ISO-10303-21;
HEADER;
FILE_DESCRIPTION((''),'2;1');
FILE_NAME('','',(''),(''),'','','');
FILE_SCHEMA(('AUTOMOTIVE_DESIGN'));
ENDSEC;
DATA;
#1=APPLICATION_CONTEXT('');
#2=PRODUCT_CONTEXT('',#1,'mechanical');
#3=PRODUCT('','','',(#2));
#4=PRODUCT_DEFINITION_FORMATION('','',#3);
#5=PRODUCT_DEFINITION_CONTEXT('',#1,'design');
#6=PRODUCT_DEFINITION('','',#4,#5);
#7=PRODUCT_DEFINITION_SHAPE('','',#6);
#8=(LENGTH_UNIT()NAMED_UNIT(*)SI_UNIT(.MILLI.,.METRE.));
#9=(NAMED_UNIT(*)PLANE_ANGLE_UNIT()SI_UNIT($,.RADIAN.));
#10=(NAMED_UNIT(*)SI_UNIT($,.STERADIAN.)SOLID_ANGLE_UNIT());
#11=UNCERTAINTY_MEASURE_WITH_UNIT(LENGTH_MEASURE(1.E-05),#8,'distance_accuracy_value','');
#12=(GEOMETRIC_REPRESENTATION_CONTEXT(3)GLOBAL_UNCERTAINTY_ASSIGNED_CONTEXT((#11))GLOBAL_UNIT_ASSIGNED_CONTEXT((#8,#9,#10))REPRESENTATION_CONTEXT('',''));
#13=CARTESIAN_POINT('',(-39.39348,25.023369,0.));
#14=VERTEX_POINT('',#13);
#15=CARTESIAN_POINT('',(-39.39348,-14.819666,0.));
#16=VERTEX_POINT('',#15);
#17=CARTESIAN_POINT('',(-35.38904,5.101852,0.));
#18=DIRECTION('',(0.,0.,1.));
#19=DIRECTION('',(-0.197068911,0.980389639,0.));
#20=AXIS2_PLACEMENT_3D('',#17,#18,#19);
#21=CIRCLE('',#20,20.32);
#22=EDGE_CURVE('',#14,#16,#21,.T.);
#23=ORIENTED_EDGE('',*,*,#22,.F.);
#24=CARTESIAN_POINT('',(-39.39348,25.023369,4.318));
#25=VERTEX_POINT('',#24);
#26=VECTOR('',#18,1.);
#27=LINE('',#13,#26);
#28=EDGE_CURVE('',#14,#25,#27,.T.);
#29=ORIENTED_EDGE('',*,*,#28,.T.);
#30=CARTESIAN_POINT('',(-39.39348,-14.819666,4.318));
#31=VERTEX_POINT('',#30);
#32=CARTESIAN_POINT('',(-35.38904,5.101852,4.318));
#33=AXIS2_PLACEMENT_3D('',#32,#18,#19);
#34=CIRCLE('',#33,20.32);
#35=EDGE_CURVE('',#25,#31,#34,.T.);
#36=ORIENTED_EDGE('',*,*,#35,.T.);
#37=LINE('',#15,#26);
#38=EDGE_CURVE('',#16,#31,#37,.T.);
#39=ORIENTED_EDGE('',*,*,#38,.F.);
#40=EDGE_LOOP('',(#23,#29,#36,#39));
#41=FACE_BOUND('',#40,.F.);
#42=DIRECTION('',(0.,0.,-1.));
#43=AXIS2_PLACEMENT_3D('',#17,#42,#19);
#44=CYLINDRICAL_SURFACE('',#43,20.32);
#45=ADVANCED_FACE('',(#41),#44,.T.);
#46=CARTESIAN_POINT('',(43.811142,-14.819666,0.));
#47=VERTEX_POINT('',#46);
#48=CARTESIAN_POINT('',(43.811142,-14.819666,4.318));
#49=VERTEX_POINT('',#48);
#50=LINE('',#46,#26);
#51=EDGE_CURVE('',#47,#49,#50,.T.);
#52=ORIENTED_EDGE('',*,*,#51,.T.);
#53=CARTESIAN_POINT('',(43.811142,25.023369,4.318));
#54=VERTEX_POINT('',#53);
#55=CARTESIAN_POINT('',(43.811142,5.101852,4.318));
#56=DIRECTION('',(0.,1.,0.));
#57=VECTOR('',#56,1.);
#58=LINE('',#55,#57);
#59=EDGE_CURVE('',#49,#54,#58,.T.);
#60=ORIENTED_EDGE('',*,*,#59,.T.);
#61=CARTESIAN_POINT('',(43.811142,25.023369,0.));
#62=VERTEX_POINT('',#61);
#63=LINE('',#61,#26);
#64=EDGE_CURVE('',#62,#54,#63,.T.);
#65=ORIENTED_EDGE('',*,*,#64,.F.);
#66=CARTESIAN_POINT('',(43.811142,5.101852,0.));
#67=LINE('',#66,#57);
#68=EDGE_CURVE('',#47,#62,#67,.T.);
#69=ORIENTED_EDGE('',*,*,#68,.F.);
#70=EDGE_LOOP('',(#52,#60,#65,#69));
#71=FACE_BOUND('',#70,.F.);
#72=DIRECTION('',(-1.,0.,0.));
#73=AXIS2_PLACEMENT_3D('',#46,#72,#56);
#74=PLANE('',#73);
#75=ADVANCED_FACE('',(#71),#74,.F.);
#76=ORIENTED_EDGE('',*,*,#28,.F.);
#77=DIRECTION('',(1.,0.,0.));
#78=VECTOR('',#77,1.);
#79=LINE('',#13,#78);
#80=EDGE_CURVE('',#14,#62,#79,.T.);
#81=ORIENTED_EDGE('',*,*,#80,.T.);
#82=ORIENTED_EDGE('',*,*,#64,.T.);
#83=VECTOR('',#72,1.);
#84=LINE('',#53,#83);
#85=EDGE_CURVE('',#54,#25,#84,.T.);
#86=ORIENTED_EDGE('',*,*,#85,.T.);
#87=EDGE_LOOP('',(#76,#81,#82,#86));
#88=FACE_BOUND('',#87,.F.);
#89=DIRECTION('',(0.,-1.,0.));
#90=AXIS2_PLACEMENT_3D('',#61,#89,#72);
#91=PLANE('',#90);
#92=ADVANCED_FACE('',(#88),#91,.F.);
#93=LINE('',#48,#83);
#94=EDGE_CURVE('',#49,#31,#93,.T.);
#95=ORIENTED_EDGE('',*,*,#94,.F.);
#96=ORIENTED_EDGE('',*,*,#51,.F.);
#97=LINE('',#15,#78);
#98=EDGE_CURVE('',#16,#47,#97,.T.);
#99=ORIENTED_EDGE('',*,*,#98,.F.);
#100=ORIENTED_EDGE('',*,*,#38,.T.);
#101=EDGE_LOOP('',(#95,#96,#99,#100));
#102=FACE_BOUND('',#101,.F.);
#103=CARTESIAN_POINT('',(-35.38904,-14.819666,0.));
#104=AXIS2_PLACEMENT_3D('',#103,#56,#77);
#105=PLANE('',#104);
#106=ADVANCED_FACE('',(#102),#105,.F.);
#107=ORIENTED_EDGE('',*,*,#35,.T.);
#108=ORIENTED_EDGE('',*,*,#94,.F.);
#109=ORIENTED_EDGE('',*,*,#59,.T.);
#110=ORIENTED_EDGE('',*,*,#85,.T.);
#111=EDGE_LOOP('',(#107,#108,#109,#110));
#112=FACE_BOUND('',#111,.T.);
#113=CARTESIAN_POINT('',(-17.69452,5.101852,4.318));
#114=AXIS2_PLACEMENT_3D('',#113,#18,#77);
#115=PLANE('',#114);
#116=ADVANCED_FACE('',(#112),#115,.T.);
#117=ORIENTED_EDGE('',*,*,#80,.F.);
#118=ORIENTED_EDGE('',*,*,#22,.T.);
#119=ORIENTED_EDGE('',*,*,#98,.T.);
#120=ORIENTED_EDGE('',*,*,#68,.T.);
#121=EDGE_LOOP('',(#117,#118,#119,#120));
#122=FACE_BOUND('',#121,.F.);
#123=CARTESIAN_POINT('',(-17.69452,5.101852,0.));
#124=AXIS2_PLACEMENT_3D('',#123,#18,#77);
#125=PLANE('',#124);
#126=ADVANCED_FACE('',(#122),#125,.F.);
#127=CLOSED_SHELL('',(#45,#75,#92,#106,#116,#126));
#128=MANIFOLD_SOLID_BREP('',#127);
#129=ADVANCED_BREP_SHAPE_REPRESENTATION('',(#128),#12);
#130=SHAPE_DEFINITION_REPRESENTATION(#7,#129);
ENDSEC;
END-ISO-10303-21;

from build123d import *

# Parameters (mm, degrees)
F1_DEPTH = 4.318
F0_W     = 35.3890396655
F0_H     = 39.8430349305
F0_W_2   = 43.8111424446
F2_DEPTH = 4.318


with BuildPart() as f1:
    # F0 (on Top) → F1 (new body)
    with BuildSketch(Plane.XY):
        with BuildLine():
            Line((-35.3890396655, 25.0233691186), (-39.3934799361, 25.0233691186))
            ThreePointArc((-39.3934799361, 25.0233691186), (-55.7090396655, 5.1018516533), (-39.3934799361, -14.819665812))
            Line((-39.3934799361, -14.819665812), (-35.3890396655, -14.819665812))
            Line((-35.3890396655, -14.819665812), (-35.3890396655, 25.0233691186))
        make_face()
    extrude(amount=F1_DEPTH)

    # F0 (on Top) → F2 (join)
    with BuildSketch(Plane.XY):
        with Locations((-17.6945198327, 5.1018516533)):
            Rectangle(F0_W, F0_H)
        with Locations((21.9055712223, 5.1018516533)):
            Rectangle(F0_W_2, F0_H)
    extrude(amount=F2_DEPTH)


solid = f1.part
